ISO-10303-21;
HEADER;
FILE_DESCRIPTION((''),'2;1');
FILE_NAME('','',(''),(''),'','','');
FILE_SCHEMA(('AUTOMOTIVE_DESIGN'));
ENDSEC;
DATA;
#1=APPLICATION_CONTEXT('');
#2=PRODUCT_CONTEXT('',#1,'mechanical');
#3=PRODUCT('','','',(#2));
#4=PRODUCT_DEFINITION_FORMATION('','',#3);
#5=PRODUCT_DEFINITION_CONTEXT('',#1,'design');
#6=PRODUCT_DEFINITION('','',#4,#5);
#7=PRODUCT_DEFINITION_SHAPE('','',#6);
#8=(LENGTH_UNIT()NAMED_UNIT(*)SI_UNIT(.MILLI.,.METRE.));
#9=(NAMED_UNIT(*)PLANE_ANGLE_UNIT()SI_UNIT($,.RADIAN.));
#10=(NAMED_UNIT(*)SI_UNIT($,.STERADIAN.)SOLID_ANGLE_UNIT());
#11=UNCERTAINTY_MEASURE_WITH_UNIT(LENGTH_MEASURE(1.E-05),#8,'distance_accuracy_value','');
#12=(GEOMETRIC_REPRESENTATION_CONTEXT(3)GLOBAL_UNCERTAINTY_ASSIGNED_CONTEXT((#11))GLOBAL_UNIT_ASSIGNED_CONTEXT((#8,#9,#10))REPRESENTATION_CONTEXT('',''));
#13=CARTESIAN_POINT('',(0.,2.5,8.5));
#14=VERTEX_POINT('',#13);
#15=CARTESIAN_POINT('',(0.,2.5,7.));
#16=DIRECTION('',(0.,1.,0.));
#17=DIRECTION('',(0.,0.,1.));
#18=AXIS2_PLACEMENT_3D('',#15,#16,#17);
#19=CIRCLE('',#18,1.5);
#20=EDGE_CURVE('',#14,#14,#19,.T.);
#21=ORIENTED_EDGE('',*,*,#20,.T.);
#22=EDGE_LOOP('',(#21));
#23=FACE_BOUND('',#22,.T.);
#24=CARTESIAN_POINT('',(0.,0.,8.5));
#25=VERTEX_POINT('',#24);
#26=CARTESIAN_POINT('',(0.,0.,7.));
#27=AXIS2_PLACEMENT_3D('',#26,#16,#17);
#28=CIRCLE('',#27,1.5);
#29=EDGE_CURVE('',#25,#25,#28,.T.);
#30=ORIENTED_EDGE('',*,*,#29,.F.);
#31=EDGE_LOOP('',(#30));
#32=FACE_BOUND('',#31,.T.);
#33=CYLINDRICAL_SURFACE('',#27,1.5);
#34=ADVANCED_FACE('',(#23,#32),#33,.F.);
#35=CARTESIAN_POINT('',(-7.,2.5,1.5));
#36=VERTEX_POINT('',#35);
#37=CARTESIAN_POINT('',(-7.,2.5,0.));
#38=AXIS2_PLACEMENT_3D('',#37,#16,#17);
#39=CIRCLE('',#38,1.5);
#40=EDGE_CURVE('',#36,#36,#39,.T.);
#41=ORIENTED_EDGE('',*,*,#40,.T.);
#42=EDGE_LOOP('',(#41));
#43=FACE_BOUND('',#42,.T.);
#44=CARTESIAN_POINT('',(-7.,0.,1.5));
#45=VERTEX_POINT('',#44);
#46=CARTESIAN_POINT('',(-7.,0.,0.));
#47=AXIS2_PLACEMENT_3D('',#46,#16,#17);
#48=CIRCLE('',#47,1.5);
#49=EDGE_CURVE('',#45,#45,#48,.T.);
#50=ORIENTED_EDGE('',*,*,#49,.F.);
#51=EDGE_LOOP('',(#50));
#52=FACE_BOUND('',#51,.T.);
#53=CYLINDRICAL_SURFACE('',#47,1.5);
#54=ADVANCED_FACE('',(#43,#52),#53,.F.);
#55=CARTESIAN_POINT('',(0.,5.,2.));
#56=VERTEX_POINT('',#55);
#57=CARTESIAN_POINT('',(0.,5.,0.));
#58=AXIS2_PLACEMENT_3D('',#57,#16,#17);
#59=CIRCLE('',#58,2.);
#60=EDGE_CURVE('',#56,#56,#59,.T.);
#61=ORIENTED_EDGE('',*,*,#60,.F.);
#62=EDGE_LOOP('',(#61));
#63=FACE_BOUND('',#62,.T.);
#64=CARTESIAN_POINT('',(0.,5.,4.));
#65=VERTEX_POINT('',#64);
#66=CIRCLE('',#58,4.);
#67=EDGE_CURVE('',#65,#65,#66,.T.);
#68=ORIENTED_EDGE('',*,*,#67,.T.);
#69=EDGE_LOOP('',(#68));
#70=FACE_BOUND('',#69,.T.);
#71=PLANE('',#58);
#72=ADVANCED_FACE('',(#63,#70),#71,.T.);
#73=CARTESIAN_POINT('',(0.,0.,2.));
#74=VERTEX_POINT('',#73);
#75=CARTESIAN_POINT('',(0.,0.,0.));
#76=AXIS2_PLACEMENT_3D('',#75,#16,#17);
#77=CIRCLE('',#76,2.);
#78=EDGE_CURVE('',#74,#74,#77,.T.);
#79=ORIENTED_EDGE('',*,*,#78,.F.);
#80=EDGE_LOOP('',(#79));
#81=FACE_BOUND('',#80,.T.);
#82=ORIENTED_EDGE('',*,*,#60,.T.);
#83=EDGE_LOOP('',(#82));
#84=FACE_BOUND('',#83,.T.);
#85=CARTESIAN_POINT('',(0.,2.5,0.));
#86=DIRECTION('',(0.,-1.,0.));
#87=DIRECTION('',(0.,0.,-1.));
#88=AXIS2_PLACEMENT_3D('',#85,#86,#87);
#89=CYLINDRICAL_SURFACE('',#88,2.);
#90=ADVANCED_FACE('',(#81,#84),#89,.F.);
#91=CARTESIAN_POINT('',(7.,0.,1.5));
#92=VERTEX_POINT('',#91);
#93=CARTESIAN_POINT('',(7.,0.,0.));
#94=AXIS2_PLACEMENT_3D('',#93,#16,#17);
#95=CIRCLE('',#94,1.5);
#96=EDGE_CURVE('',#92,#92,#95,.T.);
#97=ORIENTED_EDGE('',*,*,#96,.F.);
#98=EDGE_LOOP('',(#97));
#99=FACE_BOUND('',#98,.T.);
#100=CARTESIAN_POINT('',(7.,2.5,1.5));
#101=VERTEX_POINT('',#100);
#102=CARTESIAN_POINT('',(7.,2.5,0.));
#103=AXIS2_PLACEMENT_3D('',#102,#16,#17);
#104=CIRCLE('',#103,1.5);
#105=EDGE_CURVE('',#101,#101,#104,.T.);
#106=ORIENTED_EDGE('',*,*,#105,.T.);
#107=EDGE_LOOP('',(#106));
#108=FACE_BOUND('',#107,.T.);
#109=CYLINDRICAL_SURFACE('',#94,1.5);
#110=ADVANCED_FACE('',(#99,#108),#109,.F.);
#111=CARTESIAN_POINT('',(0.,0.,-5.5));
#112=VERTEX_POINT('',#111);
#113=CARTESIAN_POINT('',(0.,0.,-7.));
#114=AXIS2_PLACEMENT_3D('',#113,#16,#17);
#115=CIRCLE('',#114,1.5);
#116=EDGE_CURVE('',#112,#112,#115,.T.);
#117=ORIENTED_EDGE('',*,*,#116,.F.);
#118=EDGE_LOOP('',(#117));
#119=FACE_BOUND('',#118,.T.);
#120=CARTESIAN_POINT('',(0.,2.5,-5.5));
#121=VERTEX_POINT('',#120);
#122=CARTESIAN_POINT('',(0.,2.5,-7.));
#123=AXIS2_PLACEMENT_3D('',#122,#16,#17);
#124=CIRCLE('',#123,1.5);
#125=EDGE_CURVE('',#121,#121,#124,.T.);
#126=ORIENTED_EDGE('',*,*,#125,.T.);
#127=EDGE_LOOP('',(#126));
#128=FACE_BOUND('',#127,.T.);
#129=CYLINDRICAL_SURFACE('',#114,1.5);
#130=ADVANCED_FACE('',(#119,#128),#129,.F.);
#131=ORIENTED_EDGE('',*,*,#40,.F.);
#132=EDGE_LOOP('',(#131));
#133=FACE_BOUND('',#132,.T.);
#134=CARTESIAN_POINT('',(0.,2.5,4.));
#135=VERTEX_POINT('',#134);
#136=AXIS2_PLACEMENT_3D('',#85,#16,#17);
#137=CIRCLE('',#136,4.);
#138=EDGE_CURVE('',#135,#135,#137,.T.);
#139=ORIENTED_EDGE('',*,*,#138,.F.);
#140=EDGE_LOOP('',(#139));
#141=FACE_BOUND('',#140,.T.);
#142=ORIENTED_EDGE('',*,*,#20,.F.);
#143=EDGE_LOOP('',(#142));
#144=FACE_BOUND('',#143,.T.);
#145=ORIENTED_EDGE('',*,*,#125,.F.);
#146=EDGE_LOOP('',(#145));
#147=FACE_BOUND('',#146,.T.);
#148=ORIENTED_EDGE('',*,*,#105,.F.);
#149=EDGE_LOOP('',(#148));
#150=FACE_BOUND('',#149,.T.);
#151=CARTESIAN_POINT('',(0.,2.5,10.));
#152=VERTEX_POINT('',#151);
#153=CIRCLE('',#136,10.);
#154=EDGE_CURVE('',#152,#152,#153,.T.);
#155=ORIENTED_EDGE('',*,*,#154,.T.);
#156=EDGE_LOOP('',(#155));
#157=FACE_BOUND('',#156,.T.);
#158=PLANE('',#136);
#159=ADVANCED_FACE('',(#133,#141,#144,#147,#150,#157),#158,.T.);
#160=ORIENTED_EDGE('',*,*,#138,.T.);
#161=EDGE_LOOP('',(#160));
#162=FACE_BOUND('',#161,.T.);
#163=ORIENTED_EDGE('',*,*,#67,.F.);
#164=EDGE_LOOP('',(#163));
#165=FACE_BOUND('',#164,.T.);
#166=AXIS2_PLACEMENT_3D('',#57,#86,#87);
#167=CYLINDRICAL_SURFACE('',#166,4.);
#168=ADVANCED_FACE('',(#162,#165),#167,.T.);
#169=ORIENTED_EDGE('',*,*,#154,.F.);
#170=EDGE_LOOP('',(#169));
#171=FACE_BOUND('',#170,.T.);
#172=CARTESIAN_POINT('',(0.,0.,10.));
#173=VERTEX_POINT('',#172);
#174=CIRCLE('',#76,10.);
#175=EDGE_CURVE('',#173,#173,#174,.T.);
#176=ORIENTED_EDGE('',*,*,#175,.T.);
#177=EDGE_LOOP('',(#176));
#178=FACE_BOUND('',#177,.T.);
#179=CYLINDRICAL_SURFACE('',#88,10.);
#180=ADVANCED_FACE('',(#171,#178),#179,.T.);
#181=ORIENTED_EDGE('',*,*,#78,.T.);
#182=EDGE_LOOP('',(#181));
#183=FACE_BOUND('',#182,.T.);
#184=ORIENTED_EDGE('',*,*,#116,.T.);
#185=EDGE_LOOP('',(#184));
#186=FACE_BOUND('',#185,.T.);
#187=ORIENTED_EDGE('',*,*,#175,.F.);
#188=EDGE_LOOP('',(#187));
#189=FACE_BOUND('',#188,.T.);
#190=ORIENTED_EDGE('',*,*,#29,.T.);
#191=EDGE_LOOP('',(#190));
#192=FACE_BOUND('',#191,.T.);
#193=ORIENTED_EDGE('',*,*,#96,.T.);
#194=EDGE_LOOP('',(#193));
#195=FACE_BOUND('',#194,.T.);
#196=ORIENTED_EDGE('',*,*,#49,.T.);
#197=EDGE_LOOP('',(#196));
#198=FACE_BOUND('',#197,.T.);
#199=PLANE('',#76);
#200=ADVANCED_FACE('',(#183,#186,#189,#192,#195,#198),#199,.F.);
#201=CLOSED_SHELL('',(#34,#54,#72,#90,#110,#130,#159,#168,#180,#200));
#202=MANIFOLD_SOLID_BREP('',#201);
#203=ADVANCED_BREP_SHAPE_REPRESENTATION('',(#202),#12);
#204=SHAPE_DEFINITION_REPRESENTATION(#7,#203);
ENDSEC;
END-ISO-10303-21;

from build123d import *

# Parameters (mm, degrees)
SKETCH_1_R          = 10
SKETCH_1_R_2        = 2
EXTRUDE_1_DEPTH     = 2.5
SKETCH_2_R          = 4
SKETCH_2_R_2        = 2
EXTRUDE_2_DEPTH     = 2.5
SKETCH_3_R          = 1.5
CUT_EXTRUDE_1_DEPTH = 2.5


with BuildPart() as part:
    # 草图1 → 凸台-拉伸1 (new body)
    with BuildSketch(Plane(origin=(0, 0, 0), x_dir=(1, 0, 0), z_dir=(0, 1, 0))):
        with Locations(Location((0, 0, 0), (0, 0, 270))):
            Circle(SKETCH_1_R)
        with Locations(Location((0, 0, 0), (0, 0, 270))):
            Circle(SKETCH_1_R_2, mode=Mode.SUBTRACT)
    extrude(amount=EXTRUDE_1_DEPTH)

    # 草图2 → 凸台-拉伸2 (add)
    with BuildSketch(Plane(origin=(0, 2.5, 0), x_dir=(1, 0, 0), z_dir=(0, 1, 0))):
        with Locations(Location((0, 0, 0), (0, 0, 270))):
            Circle(SKETCH_2_R)
        with Locations(Location((0, 0, 0), (0, 0, 270))):
            Circle(SKETCH_2_R_2, mode=Mode.SUBTRACT)
    extrude(amount=EXTRUDE_2_DEPTH)

    # 草图3 → 切除-拉伸1 (cut)
    with BuildSketch(Plane(origin=(0, 2.5, 0), x_dir=(1, 0, 0), z_dir=(0, 1, 0))):
        with Locations(Location((0, 7, 0), (0, 0, 270))):
            Circle(SKETCH_3_R)
        with Locations(Location((7, 0, 0), (0, 0, 270))):
            Circle(SKETCH_3_R)
        with Locations(Location((0, -7, 0), (0, 0, 270))):
            Circle(SKETCH_3_R)
        with Locations(Location((-7, 0, 0), (0, 0, 270))):
            Circle(SKETCH_3_R)
    extrude(amount=-CUT_EXTRUDE_1_DEPTH, mode=Mode.SUBTRACT)


solid = part.part
